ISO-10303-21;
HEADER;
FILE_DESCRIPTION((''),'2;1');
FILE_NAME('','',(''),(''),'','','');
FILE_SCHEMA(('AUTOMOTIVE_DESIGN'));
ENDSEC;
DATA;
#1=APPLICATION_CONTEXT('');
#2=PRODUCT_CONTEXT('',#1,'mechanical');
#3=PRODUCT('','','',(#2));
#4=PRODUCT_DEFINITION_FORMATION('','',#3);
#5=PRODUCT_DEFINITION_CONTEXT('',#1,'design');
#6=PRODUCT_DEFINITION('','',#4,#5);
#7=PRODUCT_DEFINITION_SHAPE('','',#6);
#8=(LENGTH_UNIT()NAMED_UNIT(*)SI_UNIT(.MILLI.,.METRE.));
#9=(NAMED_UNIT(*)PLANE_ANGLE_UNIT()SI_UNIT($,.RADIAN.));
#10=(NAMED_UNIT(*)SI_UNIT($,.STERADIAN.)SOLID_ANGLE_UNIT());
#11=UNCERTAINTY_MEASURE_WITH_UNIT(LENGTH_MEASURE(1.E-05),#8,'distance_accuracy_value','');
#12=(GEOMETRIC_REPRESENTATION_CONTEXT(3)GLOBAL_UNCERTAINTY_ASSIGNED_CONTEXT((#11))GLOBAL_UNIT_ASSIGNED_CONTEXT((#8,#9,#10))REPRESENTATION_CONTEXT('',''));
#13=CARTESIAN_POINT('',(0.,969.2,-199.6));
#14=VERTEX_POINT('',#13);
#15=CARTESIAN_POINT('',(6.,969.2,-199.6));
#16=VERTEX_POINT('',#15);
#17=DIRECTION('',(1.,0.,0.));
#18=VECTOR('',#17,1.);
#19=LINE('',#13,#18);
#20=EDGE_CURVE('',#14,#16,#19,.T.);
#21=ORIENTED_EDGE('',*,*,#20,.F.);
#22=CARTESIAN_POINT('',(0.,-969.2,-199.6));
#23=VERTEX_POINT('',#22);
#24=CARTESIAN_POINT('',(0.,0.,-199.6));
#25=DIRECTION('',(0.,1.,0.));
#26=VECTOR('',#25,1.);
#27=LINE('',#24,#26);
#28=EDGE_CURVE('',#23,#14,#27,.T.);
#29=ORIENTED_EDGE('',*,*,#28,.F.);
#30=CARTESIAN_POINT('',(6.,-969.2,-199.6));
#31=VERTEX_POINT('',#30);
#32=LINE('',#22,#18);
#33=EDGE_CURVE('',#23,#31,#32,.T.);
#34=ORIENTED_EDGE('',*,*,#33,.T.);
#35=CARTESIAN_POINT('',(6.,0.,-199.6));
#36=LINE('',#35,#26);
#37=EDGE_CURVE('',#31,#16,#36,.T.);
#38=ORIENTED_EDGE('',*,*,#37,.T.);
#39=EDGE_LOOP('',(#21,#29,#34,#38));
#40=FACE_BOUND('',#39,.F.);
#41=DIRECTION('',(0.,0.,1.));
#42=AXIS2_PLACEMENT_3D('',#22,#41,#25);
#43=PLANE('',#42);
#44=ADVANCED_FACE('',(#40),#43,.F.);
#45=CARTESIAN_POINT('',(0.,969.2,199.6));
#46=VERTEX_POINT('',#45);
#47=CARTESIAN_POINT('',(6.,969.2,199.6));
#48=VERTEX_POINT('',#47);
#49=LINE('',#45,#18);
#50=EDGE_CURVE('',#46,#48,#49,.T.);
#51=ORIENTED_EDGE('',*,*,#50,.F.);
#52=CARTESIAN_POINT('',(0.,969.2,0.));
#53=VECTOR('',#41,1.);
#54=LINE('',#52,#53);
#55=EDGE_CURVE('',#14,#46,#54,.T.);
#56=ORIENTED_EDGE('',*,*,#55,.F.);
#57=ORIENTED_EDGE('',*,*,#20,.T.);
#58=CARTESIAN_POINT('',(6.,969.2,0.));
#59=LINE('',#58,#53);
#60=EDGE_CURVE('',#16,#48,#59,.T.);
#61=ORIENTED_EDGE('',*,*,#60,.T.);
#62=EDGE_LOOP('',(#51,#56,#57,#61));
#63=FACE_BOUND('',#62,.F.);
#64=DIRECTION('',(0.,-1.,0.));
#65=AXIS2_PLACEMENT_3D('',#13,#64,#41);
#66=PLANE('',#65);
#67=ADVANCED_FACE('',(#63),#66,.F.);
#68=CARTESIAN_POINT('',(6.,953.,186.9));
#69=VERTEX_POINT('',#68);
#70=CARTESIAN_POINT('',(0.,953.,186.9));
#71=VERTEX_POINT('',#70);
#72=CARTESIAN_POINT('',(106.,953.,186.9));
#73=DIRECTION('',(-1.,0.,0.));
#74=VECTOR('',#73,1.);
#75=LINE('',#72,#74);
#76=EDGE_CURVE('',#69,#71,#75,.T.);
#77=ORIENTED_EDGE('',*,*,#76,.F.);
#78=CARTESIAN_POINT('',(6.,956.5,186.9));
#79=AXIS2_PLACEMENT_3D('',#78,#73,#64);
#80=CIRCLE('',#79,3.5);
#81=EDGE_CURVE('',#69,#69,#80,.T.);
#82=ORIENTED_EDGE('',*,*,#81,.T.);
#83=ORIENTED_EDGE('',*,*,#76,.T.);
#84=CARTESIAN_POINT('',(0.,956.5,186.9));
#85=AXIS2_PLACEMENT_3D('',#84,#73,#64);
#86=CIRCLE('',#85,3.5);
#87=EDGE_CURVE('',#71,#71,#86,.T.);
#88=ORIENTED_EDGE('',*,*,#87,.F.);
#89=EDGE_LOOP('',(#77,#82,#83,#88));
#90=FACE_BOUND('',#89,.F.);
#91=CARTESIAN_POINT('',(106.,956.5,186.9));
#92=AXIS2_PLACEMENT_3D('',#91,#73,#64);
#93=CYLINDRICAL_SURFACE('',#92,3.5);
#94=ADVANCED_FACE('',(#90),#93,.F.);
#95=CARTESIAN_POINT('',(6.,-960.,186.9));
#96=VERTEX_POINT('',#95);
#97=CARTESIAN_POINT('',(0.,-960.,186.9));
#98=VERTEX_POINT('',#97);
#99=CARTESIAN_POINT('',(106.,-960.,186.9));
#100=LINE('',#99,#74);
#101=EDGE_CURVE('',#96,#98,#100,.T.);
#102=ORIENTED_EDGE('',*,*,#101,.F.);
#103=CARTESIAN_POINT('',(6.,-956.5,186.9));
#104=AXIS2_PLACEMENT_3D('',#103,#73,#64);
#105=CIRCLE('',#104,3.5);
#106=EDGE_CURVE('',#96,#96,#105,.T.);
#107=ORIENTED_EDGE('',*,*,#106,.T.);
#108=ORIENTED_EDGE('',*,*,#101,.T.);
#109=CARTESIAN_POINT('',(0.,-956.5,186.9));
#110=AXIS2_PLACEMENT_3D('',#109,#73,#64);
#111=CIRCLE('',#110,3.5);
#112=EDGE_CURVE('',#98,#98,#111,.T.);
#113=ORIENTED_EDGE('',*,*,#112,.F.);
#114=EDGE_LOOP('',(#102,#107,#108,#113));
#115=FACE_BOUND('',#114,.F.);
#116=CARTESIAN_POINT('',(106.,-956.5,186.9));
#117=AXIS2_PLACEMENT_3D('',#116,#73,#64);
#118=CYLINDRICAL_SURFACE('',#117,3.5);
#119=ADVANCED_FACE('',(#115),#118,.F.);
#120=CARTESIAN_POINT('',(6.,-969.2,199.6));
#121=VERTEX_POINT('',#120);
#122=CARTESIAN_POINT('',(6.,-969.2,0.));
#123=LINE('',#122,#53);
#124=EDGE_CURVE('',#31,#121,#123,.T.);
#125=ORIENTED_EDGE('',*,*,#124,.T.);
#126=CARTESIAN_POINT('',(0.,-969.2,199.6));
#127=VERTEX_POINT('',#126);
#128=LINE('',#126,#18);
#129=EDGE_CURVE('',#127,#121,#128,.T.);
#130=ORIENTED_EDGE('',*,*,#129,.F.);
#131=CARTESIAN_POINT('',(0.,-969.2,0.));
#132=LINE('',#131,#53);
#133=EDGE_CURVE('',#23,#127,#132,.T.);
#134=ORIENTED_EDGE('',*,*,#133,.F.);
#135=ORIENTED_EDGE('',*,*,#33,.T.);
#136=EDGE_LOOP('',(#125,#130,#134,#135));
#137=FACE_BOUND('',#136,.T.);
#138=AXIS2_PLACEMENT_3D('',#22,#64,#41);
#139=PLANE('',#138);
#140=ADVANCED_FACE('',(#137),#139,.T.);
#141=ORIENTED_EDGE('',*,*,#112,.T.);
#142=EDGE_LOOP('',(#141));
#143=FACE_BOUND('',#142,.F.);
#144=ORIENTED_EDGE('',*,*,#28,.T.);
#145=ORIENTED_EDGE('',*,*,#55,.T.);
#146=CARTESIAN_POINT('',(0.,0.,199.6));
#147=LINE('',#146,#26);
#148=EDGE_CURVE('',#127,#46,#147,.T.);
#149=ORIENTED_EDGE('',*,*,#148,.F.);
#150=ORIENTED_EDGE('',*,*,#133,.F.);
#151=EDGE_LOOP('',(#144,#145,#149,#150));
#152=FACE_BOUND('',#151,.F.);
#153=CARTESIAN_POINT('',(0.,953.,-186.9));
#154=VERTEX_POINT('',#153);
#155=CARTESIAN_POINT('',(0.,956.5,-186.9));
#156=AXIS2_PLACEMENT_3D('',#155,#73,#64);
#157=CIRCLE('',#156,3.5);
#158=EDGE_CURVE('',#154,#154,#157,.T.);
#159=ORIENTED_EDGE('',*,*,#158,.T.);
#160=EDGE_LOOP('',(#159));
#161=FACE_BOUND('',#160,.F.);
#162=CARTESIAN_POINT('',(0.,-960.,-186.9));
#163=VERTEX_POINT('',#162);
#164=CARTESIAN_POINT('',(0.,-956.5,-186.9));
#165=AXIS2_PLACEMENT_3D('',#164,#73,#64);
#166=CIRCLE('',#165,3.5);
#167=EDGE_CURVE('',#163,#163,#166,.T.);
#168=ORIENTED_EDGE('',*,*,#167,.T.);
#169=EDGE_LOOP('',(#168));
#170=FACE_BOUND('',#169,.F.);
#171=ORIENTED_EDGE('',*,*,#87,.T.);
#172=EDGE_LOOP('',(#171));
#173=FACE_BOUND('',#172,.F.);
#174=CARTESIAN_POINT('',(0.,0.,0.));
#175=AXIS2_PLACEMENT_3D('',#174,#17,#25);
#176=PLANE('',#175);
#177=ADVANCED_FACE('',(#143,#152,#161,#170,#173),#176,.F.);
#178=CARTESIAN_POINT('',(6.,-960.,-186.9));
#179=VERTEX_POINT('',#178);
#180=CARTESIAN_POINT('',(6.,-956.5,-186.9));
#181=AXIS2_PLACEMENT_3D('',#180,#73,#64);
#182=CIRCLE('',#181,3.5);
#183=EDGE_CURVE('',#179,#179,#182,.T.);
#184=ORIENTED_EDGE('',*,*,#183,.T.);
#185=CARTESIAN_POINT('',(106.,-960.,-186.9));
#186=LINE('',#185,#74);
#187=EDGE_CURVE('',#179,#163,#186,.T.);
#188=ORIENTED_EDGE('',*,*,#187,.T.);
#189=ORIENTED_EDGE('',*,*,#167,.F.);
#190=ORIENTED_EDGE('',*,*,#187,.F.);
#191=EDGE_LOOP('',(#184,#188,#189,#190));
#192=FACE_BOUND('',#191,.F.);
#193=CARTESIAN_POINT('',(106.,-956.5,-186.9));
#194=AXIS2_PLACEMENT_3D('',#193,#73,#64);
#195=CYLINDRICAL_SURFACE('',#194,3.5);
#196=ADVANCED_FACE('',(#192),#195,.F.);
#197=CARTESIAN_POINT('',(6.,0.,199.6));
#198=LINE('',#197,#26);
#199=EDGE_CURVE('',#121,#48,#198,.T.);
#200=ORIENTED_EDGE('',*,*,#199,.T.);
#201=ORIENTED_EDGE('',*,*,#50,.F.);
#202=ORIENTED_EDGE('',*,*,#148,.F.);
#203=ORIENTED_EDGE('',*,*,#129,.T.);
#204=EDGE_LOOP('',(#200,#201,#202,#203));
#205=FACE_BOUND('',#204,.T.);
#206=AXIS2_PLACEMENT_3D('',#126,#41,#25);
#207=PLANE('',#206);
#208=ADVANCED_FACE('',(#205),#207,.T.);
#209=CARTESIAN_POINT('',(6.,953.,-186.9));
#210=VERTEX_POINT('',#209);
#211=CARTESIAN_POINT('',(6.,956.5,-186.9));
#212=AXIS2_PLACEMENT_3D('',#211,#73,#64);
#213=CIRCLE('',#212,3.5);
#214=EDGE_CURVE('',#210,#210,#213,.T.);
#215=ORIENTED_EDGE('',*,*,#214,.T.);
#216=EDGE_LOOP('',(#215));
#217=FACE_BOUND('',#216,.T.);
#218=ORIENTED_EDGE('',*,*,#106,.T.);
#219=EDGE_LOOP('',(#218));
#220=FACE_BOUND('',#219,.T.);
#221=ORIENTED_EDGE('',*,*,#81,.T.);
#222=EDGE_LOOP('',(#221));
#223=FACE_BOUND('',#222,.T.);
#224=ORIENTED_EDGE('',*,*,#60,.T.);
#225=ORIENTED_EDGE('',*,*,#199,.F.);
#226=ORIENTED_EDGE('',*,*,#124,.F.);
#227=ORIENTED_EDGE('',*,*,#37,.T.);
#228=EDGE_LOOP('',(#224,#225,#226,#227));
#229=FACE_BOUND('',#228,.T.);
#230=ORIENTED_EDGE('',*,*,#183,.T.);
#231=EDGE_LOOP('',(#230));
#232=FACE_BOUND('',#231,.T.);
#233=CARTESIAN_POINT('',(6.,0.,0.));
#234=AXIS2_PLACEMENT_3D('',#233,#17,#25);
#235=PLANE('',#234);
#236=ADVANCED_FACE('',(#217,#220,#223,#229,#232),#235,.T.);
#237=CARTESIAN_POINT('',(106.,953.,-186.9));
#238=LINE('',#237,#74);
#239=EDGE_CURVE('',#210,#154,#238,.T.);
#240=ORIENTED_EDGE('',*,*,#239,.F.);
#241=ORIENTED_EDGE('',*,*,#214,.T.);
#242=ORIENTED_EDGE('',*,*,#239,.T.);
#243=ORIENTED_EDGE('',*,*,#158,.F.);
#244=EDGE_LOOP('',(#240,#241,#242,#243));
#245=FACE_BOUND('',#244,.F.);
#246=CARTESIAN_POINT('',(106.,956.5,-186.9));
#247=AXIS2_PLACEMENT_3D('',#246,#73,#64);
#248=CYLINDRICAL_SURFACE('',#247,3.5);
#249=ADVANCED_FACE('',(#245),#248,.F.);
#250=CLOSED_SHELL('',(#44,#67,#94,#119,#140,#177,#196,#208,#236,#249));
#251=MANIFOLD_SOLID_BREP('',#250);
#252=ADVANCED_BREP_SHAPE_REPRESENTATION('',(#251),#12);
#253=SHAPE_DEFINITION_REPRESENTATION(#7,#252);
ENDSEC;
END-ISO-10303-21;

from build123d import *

# Parameters (mm, degrees)
F0_W     = 1938.4
F0_H     = 399.2
F1_DEPTH = 6
F3_D     = 7
F3_DEPTH = 100


with BuildPart() as f1:
    # F0 (on Right) → F1 (new body)
    with BuildSketch(Plane.YZ):
        Rectangle(F0_W, F0_H)
    extrude(amount=F1_DEPTH)

    # F3
    with Locations(Plane.YZ.offset(6)):
        with Locations((-956.5, 186.9), (-956.5, -186.9), (956.5, 186.9), (956.5, -186.9)):
            Hole(F3_D / 2, depth=F3_DEPTH)


solid = f1.part
